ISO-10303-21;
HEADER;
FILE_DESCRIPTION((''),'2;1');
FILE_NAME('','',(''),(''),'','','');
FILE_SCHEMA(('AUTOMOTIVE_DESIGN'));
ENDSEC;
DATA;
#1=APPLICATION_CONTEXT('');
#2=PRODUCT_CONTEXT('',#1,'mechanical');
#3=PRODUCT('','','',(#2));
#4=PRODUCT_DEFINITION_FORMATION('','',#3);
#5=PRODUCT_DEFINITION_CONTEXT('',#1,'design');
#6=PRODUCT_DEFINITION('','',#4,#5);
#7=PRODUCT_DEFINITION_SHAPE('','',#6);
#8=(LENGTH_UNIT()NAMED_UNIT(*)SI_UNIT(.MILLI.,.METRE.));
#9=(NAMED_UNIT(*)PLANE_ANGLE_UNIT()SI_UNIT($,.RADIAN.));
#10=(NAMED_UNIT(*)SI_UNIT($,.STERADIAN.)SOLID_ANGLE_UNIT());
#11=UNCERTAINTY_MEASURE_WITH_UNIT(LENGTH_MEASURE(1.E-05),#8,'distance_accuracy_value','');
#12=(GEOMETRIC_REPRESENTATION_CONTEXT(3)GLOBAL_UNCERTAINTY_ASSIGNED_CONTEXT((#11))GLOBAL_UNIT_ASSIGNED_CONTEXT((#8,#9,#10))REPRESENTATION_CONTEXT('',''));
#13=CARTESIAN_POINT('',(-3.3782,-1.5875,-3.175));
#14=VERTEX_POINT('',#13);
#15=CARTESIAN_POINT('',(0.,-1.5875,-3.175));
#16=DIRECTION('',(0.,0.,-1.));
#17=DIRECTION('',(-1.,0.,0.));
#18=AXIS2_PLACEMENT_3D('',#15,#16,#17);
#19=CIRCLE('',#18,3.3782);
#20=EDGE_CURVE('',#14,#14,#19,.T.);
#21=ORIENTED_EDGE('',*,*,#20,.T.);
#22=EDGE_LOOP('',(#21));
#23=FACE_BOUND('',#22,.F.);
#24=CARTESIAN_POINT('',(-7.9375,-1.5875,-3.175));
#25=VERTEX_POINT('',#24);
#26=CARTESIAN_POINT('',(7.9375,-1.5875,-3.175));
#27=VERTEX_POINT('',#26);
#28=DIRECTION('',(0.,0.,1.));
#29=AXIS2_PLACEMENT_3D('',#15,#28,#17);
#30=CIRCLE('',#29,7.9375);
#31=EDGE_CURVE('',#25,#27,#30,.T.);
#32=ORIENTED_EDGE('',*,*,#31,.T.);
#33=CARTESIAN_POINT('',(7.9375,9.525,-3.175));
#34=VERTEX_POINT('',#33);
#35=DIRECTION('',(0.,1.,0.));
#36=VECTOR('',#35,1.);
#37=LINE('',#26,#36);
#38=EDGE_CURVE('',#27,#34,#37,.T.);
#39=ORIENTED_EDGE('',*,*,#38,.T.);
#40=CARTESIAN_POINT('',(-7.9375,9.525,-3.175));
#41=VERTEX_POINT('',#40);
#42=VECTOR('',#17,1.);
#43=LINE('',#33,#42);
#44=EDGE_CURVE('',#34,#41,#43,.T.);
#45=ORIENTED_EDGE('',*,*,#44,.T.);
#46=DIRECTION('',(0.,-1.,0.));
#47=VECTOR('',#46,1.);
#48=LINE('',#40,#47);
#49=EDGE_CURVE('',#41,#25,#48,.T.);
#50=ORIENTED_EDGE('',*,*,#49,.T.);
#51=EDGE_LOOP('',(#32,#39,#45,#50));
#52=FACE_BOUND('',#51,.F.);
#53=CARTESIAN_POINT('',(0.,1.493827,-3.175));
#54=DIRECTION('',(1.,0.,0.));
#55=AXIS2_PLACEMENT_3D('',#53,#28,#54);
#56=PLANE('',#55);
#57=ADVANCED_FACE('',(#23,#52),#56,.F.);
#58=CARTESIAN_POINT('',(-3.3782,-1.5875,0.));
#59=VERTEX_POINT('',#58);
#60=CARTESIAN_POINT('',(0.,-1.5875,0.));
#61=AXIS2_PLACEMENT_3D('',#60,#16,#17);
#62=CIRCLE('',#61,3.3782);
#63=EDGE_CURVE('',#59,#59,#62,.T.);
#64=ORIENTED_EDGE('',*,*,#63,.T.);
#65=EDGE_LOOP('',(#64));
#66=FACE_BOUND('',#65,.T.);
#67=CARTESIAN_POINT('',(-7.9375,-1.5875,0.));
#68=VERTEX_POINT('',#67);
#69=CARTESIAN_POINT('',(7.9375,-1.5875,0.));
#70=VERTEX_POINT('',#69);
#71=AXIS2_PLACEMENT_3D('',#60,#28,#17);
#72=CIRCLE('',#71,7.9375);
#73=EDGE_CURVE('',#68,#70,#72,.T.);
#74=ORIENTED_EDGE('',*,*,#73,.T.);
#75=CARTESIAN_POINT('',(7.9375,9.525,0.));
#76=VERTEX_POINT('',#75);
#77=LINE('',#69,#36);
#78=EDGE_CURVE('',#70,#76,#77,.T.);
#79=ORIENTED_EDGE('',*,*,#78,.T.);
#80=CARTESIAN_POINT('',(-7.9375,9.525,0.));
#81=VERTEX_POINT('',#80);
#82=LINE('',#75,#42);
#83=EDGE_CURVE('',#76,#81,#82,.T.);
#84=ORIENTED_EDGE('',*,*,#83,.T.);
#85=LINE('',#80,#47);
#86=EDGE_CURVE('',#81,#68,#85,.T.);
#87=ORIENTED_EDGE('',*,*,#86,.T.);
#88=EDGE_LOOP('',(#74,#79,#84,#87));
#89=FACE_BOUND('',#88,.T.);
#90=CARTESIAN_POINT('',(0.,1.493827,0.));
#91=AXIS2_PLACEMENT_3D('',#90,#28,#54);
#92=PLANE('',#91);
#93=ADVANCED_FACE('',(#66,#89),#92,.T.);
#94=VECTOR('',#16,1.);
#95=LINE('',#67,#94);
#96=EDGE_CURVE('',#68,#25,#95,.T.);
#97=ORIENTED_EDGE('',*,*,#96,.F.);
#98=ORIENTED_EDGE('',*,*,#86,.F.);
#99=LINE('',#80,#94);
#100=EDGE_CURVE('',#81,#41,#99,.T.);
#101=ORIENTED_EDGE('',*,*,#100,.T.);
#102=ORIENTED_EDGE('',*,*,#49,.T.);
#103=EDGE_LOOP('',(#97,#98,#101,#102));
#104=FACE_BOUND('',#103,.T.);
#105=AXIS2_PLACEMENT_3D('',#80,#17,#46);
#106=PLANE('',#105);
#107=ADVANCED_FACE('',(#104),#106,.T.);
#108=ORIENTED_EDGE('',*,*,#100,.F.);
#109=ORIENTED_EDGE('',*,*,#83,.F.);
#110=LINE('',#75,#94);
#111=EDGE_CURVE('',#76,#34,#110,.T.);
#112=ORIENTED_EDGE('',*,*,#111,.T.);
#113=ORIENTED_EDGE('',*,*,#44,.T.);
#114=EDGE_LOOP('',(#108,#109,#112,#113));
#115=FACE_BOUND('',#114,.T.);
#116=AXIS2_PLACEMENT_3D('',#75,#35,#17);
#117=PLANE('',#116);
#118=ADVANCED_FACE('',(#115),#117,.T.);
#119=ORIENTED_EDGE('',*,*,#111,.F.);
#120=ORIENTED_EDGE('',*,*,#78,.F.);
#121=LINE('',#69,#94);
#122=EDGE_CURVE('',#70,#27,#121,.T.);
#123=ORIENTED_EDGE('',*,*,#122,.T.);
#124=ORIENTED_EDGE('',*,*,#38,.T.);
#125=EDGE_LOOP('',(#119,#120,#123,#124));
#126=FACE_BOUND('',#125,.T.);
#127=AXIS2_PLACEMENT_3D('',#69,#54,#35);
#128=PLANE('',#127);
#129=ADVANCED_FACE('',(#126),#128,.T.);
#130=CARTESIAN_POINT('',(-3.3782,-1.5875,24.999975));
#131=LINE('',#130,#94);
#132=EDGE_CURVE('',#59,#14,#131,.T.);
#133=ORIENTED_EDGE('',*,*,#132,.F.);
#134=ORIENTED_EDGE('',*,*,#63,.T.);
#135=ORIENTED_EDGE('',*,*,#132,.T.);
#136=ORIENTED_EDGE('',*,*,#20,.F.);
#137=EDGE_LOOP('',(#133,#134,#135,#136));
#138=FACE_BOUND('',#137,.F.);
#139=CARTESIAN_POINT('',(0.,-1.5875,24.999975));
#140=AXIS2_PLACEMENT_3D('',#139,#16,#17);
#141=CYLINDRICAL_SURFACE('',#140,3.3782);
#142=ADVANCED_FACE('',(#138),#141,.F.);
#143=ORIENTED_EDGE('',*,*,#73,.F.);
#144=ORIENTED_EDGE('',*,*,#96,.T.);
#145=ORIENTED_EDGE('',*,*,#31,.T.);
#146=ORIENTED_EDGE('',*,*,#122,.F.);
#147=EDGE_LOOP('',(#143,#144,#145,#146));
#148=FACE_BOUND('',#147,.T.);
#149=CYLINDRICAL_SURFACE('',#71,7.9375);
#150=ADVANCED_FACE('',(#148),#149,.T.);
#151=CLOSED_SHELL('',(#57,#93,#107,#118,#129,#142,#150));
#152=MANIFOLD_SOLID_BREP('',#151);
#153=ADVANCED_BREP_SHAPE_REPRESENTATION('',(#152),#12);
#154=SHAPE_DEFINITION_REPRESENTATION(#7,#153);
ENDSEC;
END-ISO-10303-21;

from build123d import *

# Parameters (mm, degrees)
F0_R     = 3.571875
F1_DEPTH = 3.175
F2_D     = 6.7564


with BuildPart() as f1:
    # F0 (on Top) → F1 (new body)
    with BuildSketch(Plane.XY):
        with BuildLine():
            Line((7.9375, -1.5875), (7.9375, 9.525))
            Line((7.9375, 9.525), (-7.9375, 9.525))
            Line((-7.9375, 9.525), (-7.9375, -1.5875))
            ThreePointArc((-7.9375, -1.5875), (0, -9.525), (7.9375, -1.5875))
        make_face()
        with Locations((0, -1.5875)):
            Circle(F0_R, mode=Mode.SUBTRACT)
        with Locations((0, -1.5875)):
            Circle(F0_R)
    extrude(amount=-F1_DEPTH)

    # F2 (through all)
    with Locations(Plane.XY):
        with Locations((0, -1.5875)):
            Hole(F2_D / 2)


solid = f1.part
